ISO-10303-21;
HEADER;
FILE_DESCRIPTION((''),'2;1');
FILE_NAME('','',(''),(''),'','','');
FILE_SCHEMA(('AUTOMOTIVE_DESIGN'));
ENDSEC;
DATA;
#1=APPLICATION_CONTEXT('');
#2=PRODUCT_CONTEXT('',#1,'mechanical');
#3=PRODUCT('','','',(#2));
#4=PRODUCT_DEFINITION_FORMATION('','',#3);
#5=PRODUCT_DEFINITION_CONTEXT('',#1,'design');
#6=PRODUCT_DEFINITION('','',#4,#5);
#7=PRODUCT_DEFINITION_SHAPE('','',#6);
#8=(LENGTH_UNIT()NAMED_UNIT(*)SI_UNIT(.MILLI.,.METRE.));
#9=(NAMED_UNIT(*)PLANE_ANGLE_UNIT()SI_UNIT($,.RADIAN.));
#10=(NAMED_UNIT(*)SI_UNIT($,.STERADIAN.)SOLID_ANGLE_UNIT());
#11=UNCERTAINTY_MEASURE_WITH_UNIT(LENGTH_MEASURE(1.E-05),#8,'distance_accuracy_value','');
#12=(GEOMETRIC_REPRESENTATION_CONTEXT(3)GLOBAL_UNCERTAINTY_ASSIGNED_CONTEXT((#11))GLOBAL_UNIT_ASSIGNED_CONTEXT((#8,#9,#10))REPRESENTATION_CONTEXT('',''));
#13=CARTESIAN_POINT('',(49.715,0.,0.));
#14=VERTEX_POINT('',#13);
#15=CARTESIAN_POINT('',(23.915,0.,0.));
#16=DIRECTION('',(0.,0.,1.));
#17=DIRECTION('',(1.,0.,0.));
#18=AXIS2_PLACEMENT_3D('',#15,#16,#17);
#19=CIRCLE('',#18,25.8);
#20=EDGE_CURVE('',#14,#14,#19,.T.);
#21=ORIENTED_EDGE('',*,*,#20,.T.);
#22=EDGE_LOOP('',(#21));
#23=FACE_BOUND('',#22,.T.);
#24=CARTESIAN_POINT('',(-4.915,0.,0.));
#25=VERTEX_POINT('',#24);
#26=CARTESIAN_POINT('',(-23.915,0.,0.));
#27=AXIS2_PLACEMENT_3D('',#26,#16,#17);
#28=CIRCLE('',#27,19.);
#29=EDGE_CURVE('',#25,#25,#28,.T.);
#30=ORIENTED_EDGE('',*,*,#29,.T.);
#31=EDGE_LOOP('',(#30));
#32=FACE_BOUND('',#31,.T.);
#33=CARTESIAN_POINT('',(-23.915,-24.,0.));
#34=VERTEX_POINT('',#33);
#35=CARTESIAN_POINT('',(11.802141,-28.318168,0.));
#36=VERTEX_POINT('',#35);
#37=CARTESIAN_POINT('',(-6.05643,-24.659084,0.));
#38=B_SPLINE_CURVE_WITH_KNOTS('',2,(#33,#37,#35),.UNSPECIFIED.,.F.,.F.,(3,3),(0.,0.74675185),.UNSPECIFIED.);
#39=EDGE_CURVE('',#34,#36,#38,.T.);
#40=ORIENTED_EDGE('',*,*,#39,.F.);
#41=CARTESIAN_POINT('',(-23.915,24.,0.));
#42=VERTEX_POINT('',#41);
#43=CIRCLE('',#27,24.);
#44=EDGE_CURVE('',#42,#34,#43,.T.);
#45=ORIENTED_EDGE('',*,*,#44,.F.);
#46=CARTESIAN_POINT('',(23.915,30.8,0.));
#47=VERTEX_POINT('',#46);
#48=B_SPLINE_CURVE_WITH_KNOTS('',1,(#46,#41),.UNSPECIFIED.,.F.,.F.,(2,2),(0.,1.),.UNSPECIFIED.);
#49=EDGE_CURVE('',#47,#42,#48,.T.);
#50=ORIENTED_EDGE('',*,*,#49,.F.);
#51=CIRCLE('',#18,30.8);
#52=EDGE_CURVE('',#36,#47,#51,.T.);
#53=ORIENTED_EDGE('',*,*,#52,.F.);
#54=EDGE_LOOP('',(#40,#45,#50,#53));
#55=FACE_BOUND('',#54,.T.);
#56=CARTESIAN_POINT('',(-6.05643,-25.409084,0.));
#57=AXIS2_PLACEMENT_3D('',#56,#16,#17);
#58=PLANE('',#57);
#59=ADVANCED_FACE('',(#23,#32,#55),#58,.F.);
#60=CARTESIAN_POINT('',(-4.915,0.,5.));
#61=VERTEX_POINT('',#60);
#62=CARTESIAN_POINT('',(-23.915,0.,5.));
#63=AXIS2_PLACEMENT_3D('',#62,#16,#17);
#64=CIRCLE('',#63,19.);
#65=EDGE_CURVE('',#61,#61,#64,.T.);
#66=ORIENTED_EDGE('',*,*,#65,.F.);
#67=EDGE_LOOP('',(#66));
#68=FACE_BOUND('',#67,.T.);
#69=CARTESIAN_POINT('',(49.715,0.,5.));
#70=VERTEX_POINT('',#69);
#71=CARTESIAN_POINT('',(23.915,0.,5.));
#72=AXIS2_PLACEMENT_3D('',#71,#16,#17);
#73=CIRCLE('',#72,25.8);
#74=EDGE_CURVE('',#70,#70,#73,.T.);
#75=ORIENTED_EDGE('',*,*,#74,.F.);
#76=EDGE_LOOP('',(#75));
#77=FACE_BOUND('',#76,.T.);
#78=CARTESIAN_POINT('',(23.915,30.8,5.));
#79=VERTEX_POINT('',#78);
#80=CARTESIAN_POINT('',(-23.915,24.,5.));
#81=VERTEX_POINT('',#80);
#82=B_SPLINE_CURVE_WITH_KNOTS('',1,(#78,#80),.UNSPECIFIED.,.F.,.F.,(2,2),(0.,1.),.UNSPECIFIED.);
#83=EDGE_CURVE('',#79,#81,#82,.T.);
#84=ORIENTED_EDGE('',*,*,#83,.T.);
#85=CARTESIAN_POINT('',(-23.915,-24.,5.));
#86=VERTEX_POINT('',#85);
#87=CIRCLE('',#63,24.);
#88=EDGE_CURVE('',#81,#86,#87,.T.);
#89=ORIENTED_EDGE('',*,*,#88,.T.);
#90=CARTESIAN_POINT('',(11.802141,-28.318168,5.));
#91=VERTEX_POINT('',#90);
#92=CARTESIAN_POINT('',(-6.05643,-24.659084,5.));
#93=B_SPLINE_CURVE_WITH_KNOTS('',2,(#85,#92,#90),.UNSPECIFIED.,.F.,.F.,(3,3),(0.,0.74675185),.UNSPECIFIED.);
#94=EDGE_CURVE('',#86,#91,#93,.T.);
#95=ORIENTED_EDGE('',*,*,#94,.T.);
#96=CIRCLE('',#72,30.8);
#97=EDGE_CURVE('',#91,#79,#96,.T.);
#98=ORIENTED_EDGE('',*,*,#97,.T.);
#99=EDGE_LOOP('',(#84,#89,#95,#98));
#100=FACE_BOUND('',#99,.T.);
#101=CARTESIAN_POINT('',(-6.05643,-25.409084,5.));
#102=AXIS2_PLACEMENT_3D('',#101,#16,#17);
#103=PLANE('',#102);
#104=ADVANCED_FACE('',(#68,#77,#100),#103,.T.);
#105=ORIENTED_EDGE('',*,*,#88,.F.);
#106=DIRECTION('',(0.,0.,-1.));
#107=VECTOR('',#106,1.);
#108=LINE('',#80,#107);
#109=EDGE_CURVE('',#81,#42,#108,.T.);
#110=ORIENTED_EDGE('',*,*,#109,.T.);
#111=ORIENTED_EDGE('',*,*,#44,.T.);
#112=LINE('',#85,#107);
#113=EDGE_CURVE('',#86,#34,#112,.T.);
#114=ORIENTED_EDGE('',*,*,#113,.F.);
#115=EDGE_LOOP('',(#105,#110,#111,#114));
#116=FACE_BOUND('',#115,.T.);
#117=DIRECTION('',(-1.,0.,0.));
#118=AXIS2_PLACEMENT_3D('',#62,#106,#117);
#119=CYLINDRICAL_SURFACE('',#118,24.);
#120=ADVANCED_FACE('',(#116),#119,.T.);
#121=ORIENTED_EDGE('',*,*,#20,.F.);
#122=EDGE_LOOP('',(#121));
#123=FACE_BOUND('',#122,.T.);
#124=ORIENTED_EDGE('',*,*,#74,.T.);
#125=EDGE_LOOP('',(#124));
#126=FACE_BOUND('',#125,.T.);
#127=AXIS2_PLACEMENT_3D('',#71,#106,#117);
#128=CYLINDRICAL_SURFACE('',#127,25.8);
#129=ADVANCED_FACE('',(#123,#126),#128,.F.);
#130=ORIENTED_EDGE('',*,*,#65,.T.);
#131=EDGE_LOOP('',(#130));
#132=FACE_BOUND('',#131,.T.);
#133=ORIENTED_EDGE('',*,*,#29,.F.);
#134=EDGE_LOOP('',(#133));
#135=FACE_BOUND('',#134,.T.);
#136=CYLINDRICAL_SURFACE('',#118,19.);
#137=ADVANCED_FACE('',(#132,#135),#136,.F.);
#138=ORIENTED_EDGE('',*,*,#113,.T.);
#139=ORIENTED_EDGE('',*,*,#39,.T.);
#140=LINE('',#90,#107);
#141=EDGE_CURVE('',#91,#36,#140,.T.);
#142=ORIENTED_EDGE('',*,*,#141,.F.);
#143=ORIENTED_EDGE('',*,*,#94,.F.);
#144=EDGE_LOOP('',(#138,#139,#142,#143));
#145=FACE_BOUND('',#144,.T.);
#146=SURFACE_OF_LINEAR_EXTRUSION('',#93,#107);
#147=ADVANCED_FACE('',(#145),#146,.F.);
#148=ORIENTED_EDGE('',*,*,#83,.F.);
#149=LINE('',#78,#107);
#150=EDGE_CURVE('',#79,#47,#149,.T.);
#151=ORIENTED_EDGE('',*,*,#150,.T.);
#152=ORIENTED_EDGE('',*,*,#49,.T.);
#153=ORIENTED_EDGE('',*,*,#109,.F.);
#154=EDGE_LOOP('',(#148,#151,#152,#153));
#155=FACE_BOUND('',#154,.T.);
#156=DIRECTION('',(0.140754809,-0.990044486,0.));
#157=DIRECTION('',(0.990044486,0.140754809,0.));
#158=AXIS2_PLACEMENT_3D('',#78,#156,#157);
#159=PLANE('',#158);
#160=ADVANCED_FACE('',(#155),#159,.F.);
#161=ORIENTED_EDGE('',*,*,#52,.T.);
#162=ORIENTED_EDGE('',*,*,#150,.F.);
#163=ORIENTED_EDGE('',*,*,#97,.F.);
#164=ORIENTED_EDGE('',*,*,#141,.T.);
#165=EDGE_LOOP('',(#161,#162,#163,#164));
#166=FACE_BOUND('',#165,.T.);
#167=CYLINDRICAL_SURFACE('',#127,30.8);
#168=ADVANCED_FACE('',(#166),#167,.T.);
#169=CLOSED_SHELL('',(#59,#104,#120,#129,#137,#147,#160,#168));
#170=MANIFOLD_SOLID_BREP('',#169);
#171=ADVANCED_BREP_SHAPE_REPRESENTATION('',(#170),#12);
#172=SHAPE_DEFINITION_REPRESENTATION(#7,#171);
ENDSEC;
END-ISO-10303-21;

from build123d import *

# Parameters (mm, degrees)
ESBO_O1_R                = 25.8
ESBO_O1_R_2              = 19
RESSALTO_EXTRUS_O1_DEPTH = 5


with BuildPart() as part:
    # Esboço1 → Ressalto-extrusão1 (new body)
    with BuildSketch(Plane.XY):
        with BuildLine():
            ThreePointArc((-23.915, 24), (-47.915, 0), (-23.915, -24))
            add(Edge.make_bspline(
                [(-23.915, -24), (-6.056429517, -24.659084063), (11.802140965, -28.318168126)],
                knots=[0, 0, 0, 0.74675185, 0.74675185, 0.74675185], degree=2))
            ThreePointArc((11.802140965, -28.318168126), (54.088163393, -6.18224966), (23.915, 30.8))
            Line((23.915, 30.8), (-23.915, 24))
        make_face()
        with Locations((23.915, 0)):
            Circle(ESBO_O1_R, mode=Mode.SUBTRACT)
        with Locations((-23.915, 0)):
            Circle(ESBO_O1_R_2, mode=Mode.SUBTRACT)
    extrude(amount=RESSALTO_EXTRUS_O1_DEPTH)


solid = part.part
